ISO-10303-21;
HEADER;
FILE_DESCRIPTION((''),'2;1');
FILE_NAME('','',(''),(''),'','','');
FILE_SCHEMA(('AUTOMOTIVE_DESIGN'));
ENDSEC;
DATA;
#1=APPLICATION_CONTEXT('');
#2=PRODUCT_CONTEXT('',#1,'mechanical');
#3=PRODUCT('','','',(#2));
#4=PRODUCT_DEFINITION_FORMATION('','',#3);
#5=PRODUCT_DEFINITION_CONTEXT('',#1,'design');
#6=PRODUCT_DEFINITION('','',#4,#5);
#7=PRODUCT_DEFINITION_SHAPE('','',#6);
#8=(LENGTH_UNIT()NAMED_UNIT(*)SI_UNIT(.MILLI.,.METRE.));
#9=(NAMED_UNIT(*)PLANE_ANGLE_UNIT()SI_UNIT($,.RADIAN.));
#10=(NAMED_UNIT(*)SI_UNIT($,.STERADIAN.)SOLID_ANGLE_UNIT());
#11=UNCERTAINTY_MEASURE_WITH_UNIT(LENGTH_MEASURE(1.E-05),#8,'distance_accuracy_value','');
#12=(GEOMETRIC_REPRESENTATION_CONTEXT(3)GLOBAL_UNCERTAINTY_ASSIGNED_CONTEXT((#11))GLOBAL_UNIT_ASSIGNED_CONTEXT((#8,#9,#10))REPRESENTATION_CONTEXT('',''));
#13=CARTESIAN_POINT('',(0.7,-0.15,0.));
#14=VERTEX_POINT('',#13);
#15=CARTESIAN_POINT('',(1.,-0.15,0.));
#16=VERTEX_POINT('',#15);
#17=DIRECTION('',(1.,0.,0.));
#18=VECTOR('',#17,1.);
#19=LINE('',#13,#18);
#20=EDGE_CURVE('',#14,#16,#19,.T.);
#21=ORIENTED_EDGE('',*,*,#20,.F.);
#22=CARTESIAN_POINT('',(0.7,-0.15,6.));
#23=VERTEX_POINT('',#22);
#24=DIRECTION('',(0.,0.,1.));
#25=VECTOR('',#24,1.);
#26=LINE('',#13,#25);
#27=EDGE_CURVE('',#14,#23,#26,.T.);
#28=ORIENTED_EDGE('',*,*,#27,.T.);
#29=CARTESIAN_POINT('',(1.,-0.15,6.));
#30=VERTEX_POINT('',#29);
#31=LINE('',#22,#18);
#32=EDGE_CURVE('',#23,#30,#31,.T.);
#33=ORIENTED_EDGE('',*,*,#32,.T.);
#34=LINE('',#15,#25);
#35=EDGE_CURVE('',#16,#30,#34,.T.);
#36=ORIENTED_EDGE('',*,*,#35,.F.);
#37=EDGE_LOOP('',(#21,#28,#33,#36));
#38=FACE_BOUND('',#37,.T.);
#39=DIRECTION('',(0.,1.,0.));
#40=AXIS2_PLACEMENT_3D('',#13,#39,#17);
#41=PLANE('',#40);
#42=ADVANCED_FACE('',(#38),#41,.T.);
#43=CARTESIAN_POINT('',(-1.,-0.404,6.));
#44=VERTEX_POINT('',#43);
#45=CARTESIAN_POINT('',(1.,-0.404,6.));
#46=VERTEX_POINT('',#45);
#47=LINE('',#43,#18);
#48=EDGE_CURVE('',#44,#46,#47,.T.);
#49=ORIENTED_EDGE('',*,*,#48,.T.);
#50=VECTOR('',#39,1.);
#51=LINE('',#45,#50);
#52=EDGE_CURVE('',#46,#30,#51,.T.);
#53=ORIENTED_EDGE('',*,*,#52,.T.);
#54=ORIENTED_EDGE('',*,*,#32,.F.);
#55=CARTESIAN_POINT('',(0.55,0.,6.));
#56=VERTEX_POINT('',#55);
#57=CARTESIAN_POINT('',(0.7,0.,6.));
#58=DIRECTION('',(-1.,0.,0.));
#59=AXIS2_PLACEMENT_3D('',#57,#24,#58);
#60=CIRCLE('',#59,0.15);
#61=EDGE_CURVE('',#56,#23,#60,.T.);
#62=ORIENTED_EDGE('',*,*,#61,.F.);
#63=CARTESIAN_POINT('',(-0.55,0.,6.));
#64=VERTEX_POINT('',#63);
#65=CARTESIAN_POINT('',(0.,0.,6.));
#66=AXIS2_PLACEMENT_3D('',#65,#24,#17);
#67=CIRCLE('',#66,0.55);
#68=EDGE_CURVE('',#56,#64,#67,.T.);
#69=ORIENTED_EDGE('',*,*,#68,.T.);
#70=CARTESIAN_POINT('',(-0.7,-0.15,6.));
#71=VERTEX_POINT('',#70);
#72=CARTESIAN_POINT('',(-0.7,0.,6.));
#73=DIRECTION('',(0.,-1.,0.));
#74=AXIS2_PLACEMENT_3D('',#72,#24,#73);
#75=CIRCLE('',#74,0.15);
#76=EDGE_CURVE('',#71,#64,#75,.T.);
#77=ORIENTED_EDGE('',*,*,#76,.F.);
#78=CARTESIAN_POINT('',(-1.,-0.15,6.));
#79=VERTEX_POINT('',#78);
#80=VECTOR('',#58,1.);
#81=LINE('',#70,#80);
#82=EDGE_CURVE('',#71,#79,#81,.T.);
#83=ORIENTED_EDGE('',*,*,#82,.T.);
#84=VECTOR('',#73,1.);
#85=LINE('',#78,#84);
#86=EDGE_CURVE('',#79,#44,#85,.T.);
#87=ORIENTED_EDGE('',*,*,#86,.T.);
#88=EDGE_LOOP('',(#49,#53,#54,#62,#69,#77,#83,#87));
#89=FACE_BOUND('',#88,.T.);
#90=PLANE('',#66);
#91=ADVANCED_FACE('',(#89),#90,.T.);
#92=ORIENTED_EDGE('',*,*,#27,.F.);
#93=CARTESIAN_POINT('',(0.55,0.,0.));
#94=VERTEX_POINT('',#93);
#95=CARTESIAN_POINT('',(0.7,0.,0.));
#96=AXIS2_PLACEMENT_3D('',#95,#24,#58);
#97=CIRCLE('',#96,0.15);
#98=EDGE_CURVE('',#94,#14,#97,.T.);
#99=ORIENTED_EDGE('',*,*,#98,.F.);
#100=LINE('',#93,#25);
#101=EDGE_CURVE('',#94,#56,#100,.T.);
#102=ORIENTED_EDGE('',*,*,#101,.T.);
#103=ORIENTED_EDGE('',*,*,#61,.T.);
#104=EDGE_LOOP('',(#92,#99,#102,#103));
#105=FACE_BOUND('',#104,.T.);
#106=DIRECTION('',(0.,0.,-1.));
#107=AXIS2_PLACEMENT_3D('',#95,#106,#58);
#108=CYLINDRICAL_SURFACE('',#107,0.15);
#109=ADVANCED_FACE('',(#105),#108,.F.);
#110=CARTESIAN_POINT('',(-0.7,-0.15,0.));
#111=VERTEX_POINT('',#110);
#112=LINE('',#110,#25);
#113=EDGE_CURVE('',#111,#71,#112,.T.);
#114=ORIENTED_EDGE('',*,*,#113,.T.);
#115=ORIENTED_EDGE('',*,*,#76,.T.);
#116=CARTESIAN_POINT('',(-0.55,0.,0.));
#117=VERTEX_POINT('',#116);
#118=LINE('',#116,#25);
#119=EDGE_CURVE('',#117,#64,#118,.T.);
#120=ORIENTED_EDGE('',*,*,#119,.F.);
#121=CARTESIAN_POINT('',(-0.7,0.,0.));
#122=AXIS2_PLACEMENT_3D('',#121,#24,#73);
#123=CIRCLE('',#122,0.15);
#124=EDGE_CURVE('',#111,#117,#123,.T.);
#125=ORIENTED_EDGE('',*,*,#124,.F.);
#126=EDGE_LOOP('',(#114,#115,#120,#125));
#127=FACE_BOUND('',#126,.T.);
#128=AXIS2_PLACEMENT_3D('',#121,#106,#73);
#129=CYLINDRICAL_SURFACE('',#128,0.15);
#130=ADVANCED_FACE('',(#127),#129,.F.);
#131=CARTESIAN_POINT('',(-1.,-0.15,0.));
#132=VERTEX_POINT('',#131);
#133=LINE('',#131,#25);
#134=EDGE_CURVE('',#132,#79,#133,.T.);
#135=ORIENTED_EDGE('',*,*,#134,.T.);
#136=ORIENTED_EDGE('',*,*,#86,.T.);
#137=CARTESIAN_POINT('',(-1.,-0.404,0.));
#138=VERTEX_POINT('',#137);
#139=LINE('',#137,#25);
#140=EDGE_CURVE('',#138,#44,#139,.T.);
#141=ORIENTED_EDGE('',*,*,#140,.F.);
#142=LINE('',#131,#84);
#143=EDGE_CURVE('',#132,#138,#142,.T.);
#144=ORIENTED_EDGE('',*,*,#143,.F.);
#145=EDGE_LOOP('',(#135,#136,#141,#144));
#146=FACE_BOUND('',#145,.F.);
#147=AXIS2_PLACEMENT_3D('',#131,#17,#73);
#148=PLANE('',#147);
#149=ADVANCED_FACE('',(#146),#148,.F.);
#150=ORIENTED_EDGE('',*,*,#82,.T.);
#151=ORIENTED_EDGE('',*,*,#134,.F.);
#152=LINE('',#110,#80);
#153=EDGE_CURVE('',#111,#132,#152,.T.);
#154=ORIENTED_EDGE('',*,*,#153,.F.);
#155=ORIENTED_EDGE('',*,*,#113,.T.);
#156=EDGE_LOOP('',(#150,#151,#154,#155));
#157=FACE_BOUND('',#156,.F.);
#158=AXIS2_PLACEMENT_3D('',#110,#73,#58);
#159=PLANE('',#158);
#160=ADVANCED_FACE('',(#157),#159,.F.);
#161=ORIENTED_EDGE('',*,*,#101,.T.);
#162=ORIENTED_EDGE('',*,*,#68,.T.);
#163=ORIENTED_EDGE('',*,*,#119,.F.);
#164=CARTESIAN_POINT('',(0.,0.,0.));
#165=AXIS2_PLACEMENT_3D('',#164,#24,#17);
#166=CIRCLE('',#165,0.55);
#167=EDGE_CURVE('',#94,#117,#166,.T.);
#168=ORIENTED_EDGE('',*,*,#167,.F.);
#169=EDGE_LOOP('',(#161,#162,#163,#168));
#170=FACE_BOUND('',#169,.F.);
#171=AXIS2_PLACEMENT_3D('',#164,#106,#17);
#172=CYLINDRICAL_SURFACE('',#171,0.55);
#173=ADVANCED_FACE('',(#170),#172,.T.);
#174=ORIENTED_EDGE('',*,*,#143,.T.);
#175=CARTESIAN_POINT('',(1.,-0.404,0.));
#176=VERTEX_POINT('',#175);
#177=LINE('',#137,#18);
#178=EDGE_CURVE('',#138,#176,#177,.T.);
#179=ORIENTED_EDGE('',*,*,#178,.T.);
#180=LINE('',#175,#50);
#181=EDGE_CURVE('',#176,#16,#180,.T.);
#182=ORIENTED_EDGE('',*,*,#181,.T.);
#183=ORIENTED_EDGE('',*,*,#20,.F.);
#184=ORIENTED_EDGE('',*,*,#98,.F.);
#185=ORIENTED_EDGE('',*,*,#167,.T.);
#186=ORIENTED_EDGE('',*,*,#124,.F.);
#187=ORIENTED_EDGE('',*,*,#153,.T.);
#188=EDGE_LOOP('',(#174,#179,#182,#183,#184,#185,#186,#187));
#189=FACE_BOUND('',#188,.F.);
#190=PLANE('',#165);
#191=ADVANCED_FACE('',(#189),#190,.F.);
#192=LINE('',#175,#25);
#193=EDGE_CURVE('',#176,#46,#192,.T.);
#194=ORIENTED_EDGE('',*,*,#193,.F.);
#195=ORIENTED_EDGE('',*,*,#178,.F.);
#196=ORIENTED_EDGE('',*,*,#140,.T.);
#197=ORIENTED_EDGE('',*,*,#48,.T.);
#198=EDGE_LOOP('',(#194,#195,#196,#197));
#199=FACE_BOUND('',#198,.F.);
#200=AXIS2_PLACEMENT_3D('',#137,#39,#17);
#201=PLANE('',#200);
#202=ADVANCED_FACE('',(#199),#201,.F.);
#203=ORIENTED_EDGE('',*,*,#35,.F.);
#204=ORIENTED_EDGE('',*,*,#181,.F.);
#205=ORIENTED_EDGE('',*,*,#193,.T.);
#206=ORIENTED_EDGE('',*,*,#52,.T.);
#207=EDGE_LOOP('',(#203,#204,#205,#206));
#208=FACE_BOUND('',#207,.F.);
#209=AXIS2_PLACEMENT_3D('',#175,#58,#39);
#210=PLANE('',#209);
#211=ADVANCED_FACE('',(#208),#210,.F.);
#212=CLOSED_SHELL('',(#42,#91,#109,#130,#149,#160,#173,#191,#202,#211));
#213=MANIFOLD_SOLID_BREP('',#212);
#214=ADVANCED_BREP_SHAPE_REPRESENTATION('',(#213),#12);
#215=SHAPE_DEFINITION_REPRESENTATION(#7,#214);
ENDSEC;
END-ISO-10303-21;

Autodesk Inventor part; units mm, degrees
ref_plane "YZ Plane" through (0, 0, 0) normal (1, 0, 0) x (0, 1, 0)
ref_plane "XZ Plane" through (0, 0, 0) normal (0, 1, 0) x (-1, 0, 0)
sketch "Sketch1" plane through (0, 0, 0) normal (0, 0, 1) x (1, 0, 0)
  arc A0 (0.55, 0) -> (-0.55, 0) centre (0, 0) ccw
  arc A1 (0.55, 0) -> (0.7, -0.15) centre (0.7, 0) ccw
  arc A2 (-0.7, -0.15) -> (-0.55, 0) centre (-0.7, 0) ccw
  line L0 (0.7, -0.15) -> (1, -0.15)
  line L1 (-0.7, -0.15) -> (-1, -0.15)
  line L2 (-1, -0.15) -> (-1, -0.404)
  line L3 (-1, -0.404) -> (1, -0.404)
  line L4 (1, -0.404) -> (1, -0.15)
  dimension "d4" = 0.3
  dimension "d5" = 0.3
  dimension "d6" = 0
  dimension "d7" = 0
  dimension "d8" = 0.3
  dimension "d9" = 0.3
  dimension "d10" = 0.254
extrude "Extrusion1" add sketch "Sketch1" along normal blind 6
ref_plane "Work Plane1" through (-1, -0.404, 0) normal (0, -1, 0) x (1, 0, 0)
sketch "Sketch2" plane through (-1, -0.404, 0) normal (0, -1, 0) x (1, 0, 0)
  line L0 (2, 0) -> (0, 0) projected
  line L1 (0, 0) -> (0, 6) projected
  point P0 (1, 0)
  point P1 (1, 3)
  dimension "d14" = 3
  dimension "d15" = 1
properties part number "zab" material "Rubber"
